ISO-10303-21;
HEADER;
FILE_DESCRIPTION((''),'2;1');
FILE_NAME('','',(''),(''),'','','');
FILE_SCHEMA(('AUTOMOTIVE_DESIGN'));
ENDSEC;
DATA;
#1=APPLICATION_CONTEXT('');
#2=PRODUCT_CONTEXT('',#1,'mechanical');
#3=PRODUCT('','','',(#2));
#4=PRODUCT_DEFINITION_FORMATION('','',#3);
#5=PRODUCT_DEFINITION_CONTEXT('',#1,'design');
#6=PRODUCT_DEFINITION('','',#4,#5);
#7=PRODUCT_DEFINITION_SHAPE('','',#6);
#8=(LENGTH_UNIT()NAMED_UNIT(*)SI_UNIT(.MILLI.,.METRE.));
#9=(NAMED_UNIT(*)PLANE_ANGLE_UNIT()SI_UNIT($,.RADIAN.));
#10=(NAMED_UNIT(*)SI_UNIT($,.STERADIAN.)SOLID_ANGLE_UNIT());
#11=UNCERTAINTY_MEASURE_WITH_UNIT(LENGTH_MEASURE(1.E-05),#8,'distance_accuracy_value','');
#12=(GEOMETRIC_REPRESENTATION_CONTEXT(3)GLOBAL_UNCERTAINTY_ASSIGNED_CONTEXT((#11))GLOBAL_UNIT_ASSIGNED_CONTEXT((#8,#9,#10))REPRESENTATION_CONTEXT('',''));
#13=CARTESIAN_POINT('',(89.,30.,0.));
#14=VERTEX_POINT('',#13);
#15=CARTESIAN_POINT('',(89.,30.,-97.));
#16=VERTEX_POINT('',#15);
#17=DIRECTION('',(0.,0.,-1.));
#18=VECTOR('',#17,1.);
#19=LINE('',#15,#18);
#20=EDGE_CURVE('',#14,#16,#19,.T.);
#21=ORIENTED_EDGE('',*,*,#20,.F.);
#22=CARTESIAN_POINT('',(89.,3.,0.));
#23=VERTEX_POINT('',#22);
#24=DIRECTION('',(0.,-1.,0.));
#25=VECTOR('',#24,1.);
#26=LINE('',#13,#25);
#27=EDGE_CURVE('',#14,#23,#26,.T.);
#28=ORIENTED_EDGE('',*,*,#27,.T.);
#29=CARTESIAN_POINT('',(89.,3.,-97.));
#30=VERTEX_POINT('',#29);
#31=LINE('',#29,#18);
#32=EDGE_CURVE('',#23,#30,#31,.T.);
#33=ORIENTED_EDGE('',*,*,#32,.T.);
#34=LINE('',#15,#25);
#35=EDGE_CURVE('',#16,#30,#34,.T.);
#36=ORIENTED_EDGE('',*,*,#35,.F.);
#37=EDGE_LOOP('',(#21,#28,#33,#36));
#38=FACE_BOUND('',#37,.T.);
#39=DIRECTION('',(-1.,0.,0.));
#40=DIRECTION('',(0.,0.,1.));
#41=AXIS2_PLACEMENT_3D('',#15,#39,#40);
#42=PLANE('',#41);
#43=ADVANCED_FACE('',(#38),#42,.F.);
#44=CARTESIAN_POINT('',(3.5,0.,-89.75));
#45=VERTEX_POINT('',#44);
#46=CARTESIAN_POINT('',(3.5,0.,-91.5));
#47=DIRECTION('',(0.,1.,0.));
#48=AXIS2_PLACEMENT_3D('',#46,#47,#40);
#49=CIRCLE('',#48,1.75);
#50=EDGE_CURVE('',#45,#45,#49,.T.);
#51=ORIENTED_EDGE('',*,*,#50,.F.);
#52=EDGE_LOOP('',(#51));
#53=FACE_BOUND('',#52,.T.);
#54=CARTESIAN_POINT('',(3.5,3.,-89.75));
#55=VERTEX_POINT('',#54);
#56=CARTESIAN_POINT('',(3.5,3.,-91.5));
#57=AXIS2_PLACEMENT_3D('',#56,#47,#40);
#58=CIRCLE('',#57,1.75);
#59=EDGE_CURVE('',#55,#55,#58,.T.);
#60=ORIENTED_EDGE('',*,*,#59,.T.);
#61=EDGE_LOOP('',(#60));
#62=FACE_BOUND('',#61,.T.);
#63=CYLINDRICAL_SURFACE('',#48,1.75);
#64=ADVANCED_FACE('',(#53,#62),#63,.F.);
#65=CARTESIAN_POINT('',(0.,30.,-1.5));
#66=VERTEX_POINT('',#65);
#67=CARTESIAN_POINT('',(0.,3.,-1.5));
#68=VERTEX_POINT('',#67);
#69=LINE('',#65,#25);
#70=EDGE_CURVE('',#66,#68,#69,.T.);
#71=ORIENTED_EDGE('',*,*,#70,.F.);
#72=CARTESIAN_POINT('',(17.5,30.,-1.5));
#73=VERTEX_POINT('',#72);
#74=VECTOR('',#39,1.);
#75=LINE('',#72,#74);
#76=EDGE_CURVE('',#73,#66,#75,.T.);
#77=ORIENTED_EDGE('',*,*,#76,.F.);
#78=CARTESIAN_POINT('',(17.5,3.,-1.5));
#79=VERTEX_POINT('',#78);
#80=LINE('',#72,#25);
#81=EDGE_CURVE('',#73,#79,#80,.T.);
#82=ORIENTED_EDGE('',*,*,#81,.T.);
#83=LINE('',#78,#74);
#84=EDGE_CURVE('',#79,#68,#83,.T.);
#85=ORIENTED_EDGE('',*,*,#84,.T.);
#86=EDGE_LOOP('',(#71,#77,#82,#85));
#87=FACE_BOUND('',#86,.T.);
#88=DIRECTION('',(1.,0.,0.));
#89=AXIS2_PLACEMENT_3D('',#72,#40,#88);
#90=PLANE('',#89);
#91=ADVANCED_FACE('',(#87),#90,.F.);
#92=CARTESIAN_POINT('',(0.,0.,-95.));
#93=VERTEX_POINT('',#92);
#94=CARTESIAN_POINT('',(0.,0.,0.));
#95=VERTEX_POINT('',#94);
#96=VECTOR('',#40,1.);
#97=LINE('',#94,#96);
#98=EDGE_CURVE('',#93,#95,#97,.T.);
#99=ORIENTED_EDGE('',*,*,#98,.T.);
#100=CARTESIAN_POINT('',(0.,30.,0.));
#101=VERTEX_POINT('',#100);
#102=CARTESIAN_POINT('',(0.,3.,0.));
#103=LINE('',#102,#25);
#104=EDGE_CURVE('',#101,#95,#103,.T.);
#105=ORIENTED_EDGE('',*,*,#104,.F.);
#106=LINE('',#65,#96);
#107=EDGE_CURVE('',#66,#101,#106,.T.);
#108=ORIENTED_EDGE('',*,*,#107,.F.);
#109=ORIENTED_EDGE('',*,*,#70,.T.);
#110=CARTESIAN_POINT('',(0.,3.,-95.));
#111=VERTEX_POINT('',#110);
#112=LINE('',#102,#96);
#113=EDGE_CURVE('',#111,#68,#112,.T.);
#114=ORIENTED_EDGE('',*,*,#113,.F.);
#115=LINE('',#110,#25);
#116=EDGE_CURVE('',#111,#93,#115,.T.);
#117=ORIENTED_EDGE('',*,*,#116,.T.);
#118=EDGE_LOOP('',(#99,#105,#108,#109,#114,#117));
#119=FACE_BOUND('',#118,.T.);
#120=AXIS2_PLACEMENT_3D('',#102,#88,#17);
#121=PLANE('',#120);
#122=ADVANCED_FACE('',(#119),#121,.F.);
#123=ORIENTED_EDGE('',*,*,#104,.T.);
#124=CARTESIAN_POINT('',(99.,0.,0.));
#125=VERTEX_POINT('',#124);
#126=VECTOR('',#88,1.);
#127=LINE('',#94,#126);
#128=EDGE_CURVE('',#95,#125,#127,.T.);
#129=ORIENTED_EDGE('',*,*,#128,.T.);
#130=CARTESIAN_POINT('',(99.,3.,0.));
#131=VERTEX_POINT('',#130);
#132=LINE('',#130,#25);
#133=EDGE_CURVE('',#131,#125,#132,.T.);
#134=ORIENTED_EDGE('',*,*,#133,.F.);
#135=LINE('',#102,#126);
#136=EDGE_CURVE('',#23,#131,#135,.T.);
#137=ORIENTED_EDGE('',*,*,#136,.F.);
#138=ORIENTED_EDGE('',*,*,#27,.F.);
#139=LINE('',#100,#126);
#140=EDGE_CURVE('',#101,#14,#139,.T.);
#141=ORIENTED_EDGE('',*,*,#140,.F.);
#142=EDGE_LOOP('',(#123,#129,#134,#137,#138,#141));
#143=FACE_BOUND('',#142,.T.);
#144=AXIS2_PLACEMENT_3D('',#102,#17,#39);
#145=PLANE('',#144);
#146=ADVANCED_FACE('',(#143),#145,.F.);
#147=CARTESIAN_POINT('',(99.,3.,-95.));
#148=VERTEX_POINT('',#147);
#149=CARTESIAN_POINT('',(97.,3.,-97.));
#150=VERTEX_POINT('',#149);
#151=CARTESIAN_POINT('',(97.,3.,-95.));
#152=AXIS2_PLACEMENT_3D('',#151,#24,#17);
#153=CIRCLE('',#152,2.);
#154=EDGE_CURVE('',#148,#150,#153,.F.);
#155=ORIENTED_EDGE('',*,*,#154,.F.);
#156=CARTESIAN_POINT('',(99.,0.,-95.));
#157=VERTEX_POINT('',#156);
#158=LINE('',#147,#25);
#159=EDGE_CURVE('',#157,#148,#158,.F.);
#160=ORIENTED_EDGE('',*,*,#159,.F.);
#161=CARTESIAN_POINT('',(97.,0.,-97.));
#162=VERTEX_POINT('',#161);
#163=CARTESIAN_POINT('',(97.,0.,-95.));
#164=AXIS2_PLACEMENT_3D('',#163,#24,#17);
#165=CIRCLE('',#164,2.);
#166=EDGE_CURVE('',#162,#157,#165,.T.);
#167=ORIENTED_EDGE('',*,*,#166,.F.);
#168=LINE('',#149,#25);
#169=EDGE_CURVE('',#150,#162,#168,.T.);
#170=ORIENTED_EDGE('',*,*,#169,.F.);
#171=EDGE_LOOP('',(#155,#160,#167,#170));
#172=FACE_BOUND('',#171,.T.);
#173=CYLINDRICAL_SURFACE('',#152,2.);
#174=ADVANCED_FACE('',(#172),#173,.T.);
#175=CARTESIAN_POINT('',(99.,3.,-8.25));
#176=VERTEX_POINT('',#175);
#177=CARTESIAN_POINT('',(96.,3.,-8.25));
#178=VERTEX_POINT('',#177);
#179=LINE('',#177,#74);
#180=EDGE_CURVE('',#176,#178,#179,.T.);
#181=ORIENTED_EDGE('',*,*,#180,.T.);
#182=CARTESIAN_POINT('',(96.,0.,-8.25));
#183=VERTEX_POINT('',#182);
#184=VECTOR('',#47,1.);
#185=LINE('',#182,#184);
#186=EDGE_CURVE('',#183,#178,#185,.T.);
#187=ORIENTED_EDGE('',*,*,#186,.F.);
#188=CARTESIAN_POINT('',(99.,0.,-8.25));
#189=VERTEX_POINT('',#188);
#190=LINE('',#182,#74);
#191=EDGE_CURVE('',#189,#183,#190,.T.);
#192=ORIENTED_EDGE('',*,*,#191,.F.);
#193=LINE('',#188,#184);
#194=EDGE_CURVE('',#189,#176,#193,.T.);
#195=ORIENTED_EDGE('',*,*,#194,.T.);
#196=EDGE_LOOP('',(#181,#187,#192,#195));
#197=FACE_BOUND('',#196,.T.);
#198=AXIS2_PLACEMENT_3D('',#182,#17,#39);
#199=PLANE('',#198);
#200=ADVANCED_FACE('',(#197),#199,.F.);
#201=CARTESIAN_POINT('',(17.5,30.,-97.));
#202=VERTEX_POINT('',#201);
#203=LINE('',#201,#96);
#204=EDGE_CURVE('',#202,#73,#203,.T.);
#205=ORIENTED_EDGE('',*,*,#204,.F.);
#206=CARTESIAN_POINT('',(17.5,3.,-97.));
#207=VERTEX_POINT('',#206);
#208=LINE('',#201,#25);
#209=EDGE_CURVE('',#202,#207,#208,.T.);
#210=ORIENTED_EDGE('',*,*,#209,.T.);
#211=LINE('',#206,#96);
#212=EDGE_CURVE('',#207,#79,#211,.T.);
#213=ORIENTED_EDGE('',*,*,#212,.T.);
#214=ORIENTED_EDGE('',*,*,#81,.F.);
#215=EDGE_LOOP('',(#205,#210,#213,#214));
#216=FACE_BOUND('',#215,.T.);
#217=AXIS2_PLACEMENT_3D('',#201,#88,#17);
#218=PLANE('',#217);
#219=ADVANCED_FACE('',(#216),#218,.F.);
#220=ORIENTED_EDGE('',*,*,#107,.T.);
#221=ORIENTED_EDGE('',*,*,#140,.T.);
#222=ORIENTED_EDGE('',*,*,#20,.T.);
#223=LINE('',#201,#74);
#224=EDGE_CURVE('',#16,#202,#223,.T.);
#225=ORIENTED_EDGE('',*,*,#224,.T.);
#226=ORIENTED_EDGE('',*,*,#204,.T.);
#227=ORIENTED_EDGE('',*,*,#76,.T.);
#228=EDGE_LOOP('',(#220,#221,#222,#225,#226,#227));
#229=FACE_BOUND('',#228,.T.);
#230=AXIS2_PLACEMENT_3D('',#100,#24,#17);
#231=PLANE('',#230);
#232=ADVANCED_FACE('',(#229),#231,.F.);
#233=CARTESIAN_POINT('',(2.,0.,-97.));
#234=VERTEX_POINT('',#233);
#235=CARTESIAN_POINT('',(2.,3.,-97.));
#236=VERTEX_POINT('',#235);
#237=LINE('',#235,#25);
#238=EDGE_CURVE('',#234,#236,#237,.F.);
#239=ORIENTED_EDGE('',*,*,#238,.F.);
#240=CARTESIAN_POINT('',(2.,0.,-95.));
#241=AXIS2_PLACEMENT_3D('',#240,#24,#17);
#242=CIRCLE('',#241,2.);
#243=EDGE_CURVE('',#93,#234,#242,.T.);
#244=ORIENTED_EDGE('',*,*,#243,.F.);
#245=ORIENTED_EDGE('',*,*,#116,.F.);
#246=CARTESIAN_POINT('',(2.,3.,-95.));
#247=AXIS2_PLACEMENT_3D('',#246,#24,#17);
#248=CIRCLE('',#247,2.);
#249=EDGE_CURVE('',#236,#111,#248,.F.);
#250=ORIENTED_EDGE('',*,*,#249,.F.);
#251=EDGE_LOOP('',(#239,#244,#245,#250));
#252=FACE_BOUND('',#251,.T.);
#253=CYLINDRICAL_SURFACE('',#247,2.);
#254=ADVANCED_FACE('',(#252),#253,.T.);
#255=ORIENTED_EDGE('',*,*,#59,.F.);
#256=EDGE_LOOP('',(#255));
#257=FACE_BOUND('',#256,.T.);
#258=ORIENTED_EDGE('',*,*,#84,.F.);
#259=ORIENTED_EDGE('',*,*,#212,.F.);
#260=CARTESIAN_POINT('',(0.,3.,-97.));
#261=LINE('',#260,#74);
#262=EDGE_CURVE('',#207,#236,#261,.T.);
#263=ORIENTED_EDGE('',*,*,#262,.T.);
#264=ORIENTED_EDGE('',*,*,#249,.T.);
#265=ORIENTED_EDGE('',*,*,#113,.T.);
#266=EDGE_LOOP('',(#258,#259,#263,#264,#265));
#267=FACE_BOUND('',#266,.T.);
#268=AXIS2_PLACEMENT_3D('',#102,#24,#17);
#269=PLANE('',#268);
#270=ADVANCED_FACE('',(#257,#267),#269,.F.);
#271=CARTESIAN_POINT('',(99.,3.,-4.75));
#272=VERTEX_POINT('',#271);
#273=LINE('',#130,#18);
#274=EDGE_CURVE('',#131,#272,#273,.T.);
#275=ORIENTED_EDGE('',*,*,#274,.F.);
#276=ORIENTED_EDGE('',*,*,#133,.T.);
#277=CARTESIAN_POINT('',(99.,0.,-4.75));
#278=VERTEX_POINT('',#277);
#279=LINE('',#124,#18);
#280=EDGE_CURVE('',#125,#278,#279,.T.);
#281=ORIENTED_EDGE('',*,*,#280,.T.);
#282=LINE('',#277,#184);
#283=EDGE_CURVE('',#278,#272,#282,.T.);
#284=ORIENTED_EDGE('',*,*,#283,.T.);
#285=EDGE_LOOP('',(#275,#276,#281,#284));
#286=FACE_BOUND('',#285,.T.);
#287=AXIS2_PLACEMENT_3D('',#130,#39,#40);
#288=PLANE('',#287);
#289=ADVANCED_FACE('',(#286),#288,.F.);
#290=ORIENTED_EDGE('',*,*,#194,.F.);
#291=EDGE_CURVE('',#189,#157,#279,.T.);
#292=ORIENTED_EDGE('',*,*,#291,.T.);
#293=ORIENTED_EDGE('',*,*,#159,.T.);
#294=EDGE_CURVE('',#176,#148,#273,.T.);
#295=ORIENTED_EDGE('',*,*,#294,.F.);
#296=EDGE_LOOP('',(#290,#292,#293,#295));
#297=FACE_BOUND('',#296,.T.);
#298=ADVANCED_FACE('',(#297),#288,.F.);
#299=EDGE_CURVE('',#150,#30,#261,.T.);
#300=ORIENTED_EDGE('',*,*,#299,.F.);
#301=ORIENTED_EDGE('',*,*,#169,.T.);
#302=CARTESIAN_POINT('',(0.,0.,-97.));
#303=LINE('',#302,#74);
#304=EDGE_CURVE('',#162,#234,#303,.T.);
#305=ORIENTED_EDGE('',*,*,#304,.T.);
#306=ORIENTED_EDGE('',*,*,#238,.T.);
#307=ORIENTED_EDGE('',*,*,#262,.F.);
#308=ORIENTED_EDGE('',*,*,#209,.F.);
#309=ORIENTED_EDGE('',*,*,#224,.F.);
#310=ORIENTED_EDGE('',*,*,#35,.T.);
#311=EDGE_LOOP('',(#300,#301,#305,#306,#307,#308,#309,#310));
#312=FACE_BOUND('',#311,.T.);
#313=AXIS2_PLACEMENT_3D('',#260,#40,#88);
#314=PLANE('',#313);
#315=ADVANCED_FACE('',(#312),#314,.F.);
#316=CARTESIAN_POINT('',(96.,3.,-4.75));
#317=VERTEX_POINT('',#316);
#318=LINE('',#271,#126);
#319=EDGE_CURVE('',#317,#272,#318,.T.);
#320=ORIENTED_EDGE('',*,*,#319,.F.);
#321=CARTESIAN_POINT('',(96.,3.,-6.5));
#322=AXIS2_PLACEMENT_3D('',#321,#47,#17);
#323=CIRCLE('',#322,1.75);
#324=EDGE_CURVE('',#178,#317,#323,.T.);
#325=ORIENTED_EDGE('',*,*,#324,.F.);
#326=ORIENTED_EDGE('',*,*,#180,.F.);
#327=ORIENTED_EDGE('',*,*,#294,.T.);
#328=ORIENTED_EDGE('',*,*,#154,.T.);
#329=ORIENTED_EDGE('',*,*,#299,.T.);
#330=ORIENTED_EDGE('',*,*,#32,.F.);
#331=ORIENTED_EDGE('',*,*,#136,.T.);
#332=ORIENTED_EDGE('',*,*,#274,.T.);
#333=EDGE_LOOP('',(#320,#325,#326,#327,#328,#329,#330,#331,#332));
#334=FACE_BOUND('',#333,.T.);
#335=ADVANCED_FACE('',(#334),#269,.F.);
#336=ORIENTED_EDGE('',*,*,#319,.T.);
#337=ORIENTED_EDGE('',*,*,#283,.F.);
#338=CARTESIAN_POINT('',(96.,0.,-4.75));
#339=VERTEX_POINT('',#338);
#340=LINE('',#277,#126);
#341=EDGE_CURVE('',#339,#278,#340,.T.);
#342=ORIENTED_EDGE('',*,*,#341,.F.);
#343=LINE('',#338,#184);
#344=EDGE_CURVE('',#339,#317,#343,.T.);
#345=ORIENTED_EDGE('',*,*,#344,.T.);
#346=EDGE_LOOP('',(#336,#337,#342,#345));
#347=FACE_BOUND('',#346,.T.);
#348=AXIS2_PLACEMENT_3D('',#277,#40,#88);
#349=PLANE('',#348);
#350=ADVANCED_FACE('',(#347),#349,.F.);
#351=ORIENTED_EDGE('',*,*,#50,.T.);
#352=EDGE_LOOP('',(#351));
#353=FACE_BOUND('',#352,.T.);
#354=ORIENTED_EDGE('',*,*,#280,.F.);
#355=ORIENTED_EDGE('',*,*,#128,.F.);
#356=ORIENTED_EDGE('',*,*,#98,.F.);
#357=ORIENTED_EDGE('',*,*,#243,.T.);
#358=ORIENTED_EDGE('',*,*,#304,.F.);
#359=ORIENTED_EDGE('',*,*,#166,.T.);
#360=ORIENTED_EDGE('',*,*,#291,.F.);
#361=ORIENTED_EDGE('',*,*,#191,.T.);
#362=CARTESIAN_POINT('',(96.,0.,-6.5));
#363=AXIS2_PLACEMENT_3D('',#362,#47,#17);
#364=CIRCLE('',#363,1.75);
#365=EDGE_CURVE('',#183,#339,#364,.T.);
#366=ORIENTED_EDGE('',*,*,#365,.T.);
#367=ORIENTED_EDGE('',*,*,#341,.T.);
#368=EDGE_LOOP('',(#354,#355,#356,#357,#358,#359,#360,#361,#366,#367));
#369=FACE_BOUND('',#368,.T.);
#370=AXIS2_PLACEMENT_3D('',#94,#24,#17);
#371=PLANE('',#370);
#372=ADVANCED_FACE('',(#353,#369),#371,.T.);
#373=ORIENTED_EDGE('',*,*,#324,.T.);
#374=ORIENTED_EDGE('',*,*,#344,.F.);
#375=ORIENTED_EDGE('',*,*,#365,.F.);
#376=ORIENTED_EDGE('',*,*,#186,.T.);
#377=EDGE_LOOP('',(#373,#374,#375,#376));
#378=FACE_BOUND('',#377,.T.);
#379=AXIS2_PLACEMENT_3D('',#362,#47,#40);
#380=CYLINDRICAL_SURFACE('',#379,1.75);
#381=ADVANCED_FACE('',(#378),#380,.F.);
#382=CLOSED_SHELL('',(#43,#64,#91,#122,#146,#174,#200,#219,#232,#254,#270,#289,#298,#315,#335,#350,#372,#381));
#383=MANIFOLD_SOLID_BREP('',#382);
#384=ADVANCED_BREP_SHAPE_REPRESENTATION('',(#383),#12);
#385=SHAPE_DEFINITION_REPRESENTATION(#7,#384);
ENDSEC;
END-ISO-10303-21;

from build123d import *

# Parameters (mm, degrees)
SKETCH2_W           = 99
SKETCH2_H           = 97
BOSS_EXTRUDE1_DEPTH = 3
BOSS_EXTRUDE2_DEPTH = 27
SKETCH5_R           = 1.75
CUT_EXTRUDE1_DEPTH  = 4
FILLET1_R           = 2


with BuildPart() as part:
    # Sketch2 → Boss-Extrude1 (new body)
    with BuildSketch(Plane(origin=(0, 0, 0), x_dir=(1, 0, 0), z_dir=(0, 1, 0))):
        with Locations((49.5, 48.5)):
            Rectangle(SKETCH2_W, SKETCH2_H)
    extrude(amount=BOSS_EXTRUDE1_DEPTH)

    # Sketch4 → Boss-Extrude2 (add)
    with BuildSketch(Plane(origin=(0, 3, 0), x_dir=(1, 0, 0), z_dir=(0, 1, 0))):
        Polygon((17.5, 97), (89, 97), (89, 0), (17.5, 0), (0, 0), (0, 1.5), (17.5, 1.5), align=None)
    extrude(amount=BOSS_EXTRUDE2_DEPTH)

    # Sketch5 → Cut-Extrude1 (cut, through all)
    with BuildSketch(Plane(origin=(0, 3, 0), x_dir=(1, 0, 0), z_dir=(0, 1, 0))):
        with Locations((3.5, 91.5)):
            Circle(SKETCH5_R)
        with BuildLine():
            Line((96, 8.25), (99, 8.25))
            Line((99, 8.25), (99, 4.75))
            Line((99, 4.75), (96, 4.75))
            ThreePointArc((96, 4.75), (94.25, 6.5), (96, 8.25))
        make_face()
    extrude(amount=-CUT_EXTRUDE1_DEPTH, mode=Mode.SUBTRACT)

    # Fillet1
    fillet1_edges = [part.edges().sort_by_distance(p)[0] for p in [
        (0, 1.5, -97),
        (99, 1.5, -97),
    ]]
    fillet(fillet1_edges, radius=FILLET1_R)


solid = part.part
